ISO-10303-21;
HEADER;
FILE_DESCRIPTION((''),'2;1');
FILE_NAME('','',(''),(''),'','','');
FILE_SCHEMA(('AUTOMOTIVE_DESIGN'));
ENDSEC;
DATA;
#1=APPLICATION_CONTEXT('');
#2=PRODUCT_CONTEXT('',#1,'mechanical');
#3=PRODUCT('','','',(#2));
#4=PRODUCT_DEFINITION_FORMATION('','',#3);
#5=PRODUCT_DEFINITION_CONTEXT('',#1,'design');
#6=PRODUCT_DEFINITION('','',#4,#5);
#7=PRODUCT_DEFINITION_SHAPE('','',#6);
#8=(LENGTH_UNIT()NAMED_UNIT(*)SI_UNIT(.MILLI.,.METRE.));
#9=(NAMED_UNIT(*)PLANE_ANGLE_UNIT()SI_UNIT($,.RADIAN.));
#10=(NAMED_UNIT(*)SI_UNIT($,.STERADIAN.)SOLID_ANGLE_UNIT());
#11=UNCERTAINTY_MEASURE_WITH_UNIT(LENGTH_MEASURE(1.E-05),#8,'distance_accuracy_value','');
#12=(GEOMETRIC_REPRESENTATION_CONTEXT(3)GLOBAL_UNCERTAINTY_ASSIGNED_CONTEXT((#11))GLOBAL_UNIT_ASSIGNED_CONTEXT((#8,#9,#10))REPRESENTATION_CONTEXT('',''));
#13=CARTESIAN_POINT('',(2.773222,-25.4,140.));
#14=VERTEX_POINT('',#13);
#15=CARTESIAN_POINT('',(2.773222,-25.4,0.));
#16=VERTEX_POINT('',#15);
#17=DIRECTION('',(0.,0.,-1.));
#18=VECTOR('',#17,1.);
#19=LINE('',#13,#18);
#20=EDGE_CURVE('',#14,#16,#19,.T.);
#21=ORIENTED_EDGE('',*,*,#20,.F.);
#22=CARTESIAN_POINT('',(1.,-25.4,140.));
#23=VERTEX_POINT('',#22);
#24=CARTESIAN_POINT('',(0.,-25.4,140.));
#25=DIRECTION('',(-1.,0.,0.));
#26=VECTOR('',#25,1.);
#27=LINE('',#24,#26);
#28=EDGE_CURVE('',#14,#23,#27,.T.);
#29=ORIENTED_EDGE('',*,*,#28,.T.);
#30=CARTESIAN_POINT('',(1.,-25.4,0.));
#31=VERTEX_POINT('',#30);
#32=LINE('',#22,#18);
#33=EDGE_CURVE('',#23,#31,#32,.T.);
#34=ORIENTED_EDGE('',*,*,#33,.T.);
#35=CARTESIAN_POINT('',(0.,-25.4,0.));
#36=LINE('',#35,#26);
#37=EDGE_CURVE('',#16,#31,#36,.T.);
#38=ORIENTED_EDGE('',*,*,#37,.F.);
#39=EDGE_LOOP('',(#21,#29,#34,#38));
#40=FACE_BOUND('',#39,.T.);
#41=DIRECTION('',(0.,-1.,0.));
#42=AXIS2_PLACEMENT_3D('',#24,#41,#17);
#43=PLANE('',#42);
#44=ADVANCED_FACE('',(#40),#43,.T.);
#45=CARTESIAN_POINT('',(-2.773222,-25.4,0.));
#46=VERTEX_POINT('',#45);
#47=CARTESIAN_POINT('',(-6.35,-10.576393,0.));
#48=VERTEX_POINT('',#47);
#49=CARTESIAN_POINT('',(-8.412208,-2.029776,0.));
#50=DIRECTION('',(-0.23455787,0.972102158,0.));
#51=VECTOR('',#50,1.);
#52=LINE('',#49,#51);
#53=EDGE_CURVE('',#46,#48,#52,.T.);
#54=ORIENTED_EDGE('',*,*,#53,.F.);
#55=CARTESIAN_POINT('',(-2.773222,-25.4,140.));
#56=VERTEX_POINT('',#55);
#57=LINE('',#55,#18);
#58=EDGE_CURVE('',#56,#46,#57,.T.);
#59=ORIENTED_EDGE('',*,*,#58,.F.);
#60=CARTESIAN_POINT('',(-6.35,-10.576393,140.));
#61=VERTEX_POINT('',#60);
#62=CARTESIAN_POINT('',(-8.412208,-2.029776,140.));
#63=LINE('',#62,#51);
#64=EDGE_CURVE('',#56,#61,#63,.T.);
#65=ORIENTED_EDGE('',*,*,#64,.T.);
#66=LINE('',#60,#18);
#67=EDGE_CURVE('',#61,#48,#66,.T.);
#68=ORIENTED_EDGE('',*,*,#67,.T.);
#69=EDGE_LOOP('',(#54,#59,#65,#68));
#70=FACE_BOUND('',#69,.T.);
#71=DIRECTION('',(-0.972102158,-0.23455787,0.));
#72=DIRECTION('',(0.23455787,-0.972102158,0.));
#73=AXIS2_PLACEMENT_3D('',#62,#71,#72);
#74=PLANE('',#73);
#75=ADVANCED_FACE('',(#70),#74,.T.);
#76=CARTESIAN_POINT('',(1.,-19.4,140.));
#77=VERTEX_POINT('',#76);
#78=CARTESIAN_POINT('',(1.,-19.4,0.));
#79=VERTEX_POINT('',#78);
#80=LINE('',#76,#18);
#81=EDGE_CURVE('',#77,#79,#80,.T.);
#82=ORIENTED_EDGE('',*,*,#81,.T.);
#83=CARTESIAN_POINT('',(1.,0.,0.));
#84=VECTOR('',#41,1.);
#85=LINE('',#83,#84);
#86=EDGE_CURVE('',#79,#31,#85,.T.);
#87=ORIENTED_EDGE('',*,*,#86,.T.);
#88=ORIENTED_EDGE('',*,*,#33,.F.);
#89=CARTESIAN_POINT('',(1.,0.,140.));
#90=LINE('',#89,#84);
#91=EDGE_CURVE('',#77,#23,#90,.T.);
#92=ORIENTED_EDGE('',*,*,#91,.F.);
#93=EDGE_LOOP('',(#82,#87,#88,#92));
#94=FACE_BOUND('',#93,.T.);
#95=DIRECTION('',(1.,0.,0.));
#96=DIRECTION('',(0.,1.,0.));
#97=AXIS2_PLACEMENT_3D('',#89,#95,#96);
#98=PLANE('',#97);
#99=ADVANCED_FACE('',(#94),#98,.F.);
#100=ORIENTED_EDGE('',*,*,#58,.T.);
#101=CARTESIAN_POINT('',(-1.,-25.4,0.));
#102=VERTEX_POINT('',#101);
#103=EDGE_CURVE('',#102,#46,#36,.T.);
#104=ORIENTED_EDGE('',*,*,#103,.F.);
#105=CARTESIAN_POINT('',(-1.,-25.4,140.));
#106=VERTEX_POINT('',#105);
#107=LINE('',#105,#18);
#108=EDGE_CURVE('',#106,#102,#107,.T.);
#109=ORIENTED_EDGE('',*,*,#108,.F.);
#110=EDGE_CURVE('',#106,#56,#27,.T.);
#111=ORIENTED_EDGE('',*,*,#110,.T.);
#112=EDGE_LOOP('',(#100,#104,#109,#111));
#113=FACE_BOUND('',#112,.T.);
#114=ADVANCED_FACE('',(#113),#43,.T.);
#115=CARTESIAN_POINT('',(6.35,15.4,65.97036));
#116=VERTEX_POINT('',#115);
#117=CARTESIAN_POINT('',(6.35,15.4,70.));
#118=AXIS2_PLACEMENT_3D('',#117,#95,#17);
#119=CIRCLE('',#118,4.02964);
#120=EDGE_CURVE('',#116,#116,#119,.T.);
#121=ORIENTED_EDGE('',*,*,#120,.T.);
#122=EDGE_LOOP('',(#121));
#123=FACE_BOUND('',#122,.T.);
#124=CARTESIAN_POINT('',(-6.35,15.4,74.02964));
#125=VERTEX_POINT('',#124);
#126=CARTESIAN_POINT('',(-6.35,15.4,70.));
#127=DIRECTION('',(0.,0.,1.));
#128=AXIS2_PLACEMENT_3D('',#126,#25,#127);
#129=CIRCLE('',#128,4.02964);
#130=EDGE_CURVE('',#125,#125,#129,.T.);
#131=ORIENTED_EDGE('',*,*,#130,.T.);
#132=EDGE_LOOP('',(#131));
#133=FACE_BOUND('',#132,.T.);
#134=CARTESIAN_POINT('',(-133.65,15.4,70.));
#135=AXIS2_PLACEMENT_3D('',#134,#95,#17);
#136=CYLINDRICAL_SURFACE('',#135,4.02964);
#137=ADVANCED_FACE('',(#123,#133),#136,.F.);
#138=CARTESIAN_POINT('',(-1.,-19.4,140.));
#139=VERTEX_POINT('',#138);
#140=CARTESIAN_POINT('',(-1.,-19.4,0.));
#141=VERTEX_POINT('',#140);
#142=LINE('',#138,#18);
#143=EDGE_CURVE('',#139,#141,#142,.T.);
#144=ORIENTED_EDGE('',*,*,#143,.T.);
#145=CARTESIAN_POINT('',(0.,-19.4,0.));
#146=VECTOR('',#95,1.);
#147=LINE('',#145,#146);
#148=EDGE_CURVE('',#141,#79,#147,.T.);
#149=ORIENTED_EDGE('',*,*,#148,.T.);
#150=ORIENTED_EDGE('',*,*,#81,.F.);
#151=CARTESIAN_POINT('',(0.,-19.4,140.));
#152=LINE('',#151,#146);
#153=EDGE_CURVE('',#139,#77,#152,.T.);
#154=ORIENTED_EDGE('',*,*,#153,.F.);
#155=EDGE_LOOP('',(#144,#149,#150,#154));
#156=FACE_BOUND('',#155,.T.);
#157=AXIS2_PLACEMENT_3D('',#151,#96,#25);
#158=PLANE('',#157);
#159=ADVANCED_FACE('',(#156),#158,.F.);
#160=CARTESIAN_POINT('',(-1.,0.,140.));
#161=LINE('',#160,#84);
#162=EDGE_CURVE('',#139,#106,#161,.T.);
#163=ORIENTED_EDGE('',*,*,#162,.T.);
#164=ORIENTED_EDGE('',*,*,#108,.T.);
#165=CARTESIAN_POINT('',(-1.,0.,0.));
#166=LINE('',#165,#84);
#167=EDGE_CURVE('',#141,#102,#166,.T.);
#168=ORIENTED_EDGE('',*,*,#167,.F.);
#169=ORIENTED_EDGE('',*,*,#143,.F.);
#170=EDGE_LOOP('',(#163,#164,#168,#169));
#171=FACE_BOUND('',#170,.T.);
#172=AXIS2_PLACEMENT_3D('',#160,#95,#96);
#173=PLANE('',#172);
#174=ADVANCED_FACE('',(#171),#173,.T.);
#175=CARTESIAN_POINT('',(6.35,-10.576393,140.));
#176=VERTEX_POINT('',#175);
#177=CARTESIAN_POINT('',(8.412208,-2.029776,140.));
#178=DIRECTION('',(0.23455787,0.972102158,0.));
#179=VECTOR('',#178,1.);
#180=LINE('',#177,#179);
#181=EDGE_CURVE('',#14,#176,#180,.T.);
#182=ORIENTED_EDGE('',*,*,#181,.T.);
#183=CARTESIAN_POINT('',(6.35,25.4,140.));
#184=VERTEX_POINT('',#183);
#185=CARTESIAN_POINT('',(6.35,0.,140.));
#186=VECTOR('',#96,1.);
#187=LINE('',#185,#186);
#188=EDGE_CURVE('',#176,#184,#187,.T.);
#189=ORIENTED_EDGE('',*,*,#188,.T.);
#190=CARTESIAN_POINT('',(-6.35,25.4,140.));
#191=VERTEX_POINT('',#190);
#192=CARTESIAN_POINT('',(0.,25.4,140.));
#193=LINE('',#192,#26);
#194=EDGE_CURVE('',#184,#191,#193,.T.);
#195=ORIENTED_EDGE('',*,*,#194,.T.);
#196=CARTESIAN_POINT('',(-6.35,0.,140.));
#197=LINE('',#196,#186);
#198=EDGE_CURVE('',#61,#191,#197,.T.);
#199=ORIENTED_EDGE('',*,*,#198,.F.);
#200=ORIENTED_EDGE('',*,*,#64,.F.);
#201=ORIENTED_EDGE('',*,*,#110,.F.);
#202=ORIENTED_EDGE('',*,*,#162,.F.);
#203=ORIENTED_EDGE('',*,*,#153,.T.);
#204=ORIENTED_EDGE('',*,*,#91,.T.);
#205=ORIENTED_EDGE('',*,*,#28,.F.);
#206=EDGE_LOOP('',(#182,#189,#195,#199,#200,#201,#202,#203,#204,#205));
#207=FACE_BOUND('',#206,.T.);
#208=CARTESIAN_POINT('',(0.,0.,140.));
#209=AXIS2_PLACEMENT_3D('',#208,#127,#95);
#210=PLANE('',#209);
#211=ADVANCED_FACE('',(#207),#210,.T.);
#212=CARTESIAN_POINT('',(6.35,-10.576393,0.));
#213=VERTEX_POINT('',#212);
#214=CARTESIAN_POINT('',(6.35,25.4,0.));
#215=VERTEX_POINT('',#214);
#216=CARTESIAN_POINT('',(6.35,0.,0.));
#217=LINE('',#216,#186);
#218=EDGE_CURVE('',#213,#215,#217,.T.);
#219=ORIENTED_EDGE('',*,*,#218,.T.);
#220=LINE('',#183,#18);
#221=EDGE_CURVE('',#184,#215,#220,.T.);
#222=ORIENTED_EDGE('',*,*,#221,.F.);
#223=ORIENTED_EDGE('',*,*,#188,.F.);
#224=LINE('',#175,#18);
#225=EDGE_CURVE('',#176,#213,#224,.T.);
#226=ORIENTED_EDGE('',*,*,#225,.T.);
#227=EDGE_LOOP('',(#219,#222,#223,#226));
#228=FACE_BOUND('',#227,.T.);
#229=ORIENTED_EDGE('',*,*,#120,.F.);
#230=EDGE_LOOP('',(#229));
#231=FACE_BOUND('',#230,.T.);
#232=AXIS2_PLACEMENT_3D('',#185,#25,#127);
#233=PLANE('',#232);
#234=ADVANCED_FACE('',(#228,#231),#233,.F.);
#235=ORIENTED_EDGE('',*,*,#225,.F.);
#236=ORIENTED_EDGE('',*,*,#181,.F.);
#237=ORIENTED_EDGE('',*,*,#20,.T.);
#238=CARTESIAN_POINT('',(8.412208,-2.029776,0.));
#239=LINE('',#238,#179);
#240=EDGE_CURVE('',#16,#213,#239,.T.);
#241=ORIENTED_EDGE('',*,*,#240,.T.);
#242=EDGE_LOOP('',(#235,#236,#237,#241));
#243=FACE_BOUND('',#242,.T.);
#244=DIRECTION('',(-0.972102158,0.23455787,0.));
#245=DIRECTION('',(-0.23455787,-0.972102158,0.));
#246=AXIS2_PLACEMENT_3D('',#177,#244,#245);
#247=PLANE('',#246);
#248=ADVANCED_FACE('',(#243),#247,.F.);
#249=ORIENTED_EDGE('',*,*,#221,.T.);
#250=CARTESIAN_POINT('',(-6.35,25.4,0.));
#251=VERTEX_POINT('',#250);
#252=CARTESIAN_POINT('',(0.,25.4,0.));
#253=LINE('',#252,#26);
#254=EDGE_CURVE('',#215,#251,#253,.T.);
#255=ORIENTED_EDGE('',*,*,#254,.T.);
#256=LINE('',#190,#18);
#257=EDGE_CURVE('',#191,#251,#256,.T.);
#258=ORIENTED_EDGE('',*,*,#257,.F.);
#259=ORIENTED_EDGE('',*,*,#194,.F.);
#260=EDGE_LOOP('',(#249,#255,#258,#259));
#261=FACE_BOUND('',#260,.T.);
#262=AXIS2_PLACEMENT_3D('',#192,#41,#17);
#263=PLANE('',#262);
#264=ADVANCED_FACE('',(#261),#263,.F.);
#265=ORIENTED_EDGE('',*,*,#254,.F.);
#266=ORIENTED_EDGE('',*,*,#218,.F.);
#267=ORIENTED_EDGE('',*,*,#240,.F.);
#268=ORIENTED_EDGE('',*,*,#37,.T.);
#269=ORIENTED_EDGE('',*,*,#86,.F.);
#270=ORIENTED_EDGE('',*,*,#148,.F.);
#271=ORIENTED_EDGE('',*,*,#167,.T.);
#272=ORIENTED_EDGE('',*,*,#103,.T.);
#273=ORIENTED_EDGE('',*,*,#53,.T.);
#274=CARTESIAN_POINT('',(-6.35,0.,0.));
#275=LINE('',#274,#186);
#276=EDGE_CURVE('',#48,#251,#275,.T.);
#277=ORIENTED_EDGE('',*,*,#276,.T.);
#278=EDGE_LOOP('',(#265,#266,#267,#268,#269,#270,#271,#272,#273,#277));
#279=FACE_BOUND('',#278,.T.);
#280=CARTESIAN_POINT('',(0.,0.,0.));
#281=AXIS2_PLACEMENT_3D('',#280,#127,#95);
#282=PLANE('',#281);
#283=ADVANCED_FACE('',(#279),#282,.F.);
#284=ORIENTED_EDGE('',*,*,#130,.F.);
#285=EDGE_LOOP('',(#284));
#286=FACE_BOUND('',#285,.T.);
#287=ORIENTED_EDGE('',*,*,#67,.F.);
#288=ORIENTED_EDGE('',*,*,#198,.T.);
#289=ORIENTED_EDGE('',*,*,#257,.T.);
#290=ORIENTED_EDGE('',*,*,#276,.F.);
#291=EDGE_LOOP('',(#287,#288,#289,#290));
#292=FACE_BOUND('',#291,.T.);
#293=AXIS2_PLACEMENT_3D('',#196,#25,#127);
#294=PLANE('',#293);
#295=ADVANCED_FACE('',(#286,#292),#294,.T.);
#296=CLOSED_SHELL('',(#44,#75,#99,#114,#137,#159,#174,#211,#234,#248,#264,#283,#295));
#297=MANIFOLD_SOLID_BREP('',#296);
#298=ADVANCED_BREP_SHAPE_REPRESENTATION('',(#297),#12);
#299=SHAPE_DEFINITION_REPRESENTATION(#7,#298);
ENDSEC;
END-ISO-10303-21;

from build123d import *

# Parameters (mm, degrees)
SALIENTE_EXTRUIR1_DEPTH = 140
CROQUIS2_R              = 4.029640203
CORTAR_EXTRUIR1_DEPTH   = 140


with BuildPart() as part:
    # Croquis1 → Saliente-Extruir1 (new body)
    with BuildSketch(Plane.XY):
        Polygon((-1, -25.4), (-2.773222037, -25.4), (-6.35, -10.576393443), (-6.35, 25.4), (6.35, 25.4), (6.35, -10.576393443), (2.773222037, -25.4), (1, -25.4), (1, -19.4), (-1, -19.4), align=None)
    extrude(amount=SALIENTE_EXTRUIR1_DEPTH)

    # Croquis2 → Cortar-Extruir1 (cut)
    with BuildSketch(Plane(origin=(6.35, 0, 0), x_dir=(0, 0, -1), z_dir=(1, 0, 0))):
        with Locations((-70, 15.4)):
            Circle(CROQUIS2_R)
    extrude(amount=-CORTAR_EXTRUIR1_DEPTH, mode=Mode.SUBTRACT)


solid = part.part
